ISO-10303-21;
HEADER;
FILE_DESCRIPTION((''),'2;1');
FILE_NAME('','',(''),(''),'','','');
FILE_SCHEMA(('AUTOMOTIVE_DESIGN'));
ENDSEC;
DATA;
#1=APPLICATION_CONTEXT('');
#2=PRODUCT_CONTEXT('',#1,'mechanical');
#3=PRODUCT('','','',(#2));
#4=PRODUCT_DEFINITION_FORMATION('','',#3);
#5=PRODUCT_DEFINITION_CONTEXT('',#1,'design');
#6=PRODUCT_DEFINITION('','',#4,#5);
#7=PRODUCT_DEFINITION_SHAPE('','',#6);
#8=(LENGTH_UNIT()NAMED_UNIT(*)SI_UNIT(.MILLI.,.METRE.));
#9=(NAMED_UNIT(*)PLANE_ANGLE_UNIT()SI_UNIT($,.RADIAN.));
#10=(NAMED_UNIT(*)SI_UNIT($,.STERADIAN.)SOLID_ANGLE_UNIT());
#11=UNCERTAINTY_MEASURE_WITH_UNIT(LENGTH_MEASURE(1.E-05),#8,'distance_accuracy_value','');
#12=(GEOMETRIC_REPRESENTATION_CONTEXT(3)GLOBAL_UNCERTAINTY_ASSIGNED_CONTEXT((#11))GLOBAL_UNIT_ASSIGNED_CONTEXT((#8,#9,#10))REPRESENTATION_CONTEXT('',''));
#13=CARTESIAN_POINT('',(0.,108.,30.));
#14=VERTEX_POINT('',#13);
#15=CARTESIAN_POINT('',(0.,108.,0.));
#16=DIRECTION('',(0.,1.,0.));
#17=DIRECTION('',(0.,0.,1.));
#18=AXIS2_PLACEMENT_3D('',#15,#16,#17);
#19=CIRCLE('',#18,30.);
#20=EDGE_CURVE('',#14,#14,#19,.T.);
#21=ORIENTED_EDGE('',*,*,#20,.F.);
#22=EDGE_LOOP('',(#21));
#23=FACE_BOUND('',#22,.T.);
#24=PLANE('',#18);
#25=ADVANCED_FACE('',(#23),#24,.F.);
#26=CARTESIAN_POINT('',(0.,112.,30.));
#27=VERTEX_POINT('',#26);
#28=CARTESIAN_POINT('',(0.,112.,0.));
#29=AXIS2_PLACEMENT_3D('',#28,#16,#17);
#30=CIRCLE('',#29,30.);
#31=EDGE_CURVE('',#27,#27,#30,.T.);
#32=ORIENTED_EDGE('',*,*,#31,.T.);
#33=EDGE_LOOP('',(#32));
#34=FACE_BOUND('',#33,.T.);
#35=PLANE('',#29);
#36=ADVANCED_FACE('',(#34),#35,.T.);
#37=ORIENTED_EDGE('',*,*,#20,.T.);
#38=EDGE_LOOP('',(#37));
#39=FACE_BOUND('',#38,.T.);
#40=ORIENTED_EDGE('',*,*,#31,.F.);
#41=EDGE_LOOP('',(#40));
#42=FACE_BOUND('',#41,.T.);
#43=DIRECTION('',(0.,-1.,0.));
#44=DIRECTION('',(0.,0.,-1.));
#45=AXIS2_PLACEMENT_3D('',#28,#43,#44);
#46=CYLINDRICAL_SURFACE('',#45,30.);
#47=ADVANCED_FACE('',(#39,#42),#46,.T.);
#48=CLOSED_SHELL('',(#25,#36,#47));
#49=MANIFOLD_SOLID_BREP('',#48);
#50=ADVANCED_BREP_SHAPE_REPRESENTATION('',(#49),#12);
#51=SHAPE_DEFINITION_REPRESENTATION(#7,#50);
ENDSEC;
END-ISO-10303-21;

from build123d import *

# Parameters (mm, degrees)
KOLA330_BOYUN_DARALMA_D60_START = 108
SKETCH1_R                       = 30
KOLA330_BOYUN_DARALMA_D60_DEPTH = 4


with BuildPart() as part:
    # Sketch1 → KOLA330_boyun_daralma_D60 (new body)
    with BuildSketch(Plane(origin=(0, 0, 0), x_dir=(1, 0, 0), z_dir=(0, 1, 0)).offset(KOLA330_BOYUN_DARALMA_D60_START)):
        with Locations(Location((0, 0, 0), (0, 0, 270))):
            Circle(SKETCH1_R)
    extrude(amount=KOLA330_BOYUN_DARALMA_D60_DEPTH)


solid = part.part
